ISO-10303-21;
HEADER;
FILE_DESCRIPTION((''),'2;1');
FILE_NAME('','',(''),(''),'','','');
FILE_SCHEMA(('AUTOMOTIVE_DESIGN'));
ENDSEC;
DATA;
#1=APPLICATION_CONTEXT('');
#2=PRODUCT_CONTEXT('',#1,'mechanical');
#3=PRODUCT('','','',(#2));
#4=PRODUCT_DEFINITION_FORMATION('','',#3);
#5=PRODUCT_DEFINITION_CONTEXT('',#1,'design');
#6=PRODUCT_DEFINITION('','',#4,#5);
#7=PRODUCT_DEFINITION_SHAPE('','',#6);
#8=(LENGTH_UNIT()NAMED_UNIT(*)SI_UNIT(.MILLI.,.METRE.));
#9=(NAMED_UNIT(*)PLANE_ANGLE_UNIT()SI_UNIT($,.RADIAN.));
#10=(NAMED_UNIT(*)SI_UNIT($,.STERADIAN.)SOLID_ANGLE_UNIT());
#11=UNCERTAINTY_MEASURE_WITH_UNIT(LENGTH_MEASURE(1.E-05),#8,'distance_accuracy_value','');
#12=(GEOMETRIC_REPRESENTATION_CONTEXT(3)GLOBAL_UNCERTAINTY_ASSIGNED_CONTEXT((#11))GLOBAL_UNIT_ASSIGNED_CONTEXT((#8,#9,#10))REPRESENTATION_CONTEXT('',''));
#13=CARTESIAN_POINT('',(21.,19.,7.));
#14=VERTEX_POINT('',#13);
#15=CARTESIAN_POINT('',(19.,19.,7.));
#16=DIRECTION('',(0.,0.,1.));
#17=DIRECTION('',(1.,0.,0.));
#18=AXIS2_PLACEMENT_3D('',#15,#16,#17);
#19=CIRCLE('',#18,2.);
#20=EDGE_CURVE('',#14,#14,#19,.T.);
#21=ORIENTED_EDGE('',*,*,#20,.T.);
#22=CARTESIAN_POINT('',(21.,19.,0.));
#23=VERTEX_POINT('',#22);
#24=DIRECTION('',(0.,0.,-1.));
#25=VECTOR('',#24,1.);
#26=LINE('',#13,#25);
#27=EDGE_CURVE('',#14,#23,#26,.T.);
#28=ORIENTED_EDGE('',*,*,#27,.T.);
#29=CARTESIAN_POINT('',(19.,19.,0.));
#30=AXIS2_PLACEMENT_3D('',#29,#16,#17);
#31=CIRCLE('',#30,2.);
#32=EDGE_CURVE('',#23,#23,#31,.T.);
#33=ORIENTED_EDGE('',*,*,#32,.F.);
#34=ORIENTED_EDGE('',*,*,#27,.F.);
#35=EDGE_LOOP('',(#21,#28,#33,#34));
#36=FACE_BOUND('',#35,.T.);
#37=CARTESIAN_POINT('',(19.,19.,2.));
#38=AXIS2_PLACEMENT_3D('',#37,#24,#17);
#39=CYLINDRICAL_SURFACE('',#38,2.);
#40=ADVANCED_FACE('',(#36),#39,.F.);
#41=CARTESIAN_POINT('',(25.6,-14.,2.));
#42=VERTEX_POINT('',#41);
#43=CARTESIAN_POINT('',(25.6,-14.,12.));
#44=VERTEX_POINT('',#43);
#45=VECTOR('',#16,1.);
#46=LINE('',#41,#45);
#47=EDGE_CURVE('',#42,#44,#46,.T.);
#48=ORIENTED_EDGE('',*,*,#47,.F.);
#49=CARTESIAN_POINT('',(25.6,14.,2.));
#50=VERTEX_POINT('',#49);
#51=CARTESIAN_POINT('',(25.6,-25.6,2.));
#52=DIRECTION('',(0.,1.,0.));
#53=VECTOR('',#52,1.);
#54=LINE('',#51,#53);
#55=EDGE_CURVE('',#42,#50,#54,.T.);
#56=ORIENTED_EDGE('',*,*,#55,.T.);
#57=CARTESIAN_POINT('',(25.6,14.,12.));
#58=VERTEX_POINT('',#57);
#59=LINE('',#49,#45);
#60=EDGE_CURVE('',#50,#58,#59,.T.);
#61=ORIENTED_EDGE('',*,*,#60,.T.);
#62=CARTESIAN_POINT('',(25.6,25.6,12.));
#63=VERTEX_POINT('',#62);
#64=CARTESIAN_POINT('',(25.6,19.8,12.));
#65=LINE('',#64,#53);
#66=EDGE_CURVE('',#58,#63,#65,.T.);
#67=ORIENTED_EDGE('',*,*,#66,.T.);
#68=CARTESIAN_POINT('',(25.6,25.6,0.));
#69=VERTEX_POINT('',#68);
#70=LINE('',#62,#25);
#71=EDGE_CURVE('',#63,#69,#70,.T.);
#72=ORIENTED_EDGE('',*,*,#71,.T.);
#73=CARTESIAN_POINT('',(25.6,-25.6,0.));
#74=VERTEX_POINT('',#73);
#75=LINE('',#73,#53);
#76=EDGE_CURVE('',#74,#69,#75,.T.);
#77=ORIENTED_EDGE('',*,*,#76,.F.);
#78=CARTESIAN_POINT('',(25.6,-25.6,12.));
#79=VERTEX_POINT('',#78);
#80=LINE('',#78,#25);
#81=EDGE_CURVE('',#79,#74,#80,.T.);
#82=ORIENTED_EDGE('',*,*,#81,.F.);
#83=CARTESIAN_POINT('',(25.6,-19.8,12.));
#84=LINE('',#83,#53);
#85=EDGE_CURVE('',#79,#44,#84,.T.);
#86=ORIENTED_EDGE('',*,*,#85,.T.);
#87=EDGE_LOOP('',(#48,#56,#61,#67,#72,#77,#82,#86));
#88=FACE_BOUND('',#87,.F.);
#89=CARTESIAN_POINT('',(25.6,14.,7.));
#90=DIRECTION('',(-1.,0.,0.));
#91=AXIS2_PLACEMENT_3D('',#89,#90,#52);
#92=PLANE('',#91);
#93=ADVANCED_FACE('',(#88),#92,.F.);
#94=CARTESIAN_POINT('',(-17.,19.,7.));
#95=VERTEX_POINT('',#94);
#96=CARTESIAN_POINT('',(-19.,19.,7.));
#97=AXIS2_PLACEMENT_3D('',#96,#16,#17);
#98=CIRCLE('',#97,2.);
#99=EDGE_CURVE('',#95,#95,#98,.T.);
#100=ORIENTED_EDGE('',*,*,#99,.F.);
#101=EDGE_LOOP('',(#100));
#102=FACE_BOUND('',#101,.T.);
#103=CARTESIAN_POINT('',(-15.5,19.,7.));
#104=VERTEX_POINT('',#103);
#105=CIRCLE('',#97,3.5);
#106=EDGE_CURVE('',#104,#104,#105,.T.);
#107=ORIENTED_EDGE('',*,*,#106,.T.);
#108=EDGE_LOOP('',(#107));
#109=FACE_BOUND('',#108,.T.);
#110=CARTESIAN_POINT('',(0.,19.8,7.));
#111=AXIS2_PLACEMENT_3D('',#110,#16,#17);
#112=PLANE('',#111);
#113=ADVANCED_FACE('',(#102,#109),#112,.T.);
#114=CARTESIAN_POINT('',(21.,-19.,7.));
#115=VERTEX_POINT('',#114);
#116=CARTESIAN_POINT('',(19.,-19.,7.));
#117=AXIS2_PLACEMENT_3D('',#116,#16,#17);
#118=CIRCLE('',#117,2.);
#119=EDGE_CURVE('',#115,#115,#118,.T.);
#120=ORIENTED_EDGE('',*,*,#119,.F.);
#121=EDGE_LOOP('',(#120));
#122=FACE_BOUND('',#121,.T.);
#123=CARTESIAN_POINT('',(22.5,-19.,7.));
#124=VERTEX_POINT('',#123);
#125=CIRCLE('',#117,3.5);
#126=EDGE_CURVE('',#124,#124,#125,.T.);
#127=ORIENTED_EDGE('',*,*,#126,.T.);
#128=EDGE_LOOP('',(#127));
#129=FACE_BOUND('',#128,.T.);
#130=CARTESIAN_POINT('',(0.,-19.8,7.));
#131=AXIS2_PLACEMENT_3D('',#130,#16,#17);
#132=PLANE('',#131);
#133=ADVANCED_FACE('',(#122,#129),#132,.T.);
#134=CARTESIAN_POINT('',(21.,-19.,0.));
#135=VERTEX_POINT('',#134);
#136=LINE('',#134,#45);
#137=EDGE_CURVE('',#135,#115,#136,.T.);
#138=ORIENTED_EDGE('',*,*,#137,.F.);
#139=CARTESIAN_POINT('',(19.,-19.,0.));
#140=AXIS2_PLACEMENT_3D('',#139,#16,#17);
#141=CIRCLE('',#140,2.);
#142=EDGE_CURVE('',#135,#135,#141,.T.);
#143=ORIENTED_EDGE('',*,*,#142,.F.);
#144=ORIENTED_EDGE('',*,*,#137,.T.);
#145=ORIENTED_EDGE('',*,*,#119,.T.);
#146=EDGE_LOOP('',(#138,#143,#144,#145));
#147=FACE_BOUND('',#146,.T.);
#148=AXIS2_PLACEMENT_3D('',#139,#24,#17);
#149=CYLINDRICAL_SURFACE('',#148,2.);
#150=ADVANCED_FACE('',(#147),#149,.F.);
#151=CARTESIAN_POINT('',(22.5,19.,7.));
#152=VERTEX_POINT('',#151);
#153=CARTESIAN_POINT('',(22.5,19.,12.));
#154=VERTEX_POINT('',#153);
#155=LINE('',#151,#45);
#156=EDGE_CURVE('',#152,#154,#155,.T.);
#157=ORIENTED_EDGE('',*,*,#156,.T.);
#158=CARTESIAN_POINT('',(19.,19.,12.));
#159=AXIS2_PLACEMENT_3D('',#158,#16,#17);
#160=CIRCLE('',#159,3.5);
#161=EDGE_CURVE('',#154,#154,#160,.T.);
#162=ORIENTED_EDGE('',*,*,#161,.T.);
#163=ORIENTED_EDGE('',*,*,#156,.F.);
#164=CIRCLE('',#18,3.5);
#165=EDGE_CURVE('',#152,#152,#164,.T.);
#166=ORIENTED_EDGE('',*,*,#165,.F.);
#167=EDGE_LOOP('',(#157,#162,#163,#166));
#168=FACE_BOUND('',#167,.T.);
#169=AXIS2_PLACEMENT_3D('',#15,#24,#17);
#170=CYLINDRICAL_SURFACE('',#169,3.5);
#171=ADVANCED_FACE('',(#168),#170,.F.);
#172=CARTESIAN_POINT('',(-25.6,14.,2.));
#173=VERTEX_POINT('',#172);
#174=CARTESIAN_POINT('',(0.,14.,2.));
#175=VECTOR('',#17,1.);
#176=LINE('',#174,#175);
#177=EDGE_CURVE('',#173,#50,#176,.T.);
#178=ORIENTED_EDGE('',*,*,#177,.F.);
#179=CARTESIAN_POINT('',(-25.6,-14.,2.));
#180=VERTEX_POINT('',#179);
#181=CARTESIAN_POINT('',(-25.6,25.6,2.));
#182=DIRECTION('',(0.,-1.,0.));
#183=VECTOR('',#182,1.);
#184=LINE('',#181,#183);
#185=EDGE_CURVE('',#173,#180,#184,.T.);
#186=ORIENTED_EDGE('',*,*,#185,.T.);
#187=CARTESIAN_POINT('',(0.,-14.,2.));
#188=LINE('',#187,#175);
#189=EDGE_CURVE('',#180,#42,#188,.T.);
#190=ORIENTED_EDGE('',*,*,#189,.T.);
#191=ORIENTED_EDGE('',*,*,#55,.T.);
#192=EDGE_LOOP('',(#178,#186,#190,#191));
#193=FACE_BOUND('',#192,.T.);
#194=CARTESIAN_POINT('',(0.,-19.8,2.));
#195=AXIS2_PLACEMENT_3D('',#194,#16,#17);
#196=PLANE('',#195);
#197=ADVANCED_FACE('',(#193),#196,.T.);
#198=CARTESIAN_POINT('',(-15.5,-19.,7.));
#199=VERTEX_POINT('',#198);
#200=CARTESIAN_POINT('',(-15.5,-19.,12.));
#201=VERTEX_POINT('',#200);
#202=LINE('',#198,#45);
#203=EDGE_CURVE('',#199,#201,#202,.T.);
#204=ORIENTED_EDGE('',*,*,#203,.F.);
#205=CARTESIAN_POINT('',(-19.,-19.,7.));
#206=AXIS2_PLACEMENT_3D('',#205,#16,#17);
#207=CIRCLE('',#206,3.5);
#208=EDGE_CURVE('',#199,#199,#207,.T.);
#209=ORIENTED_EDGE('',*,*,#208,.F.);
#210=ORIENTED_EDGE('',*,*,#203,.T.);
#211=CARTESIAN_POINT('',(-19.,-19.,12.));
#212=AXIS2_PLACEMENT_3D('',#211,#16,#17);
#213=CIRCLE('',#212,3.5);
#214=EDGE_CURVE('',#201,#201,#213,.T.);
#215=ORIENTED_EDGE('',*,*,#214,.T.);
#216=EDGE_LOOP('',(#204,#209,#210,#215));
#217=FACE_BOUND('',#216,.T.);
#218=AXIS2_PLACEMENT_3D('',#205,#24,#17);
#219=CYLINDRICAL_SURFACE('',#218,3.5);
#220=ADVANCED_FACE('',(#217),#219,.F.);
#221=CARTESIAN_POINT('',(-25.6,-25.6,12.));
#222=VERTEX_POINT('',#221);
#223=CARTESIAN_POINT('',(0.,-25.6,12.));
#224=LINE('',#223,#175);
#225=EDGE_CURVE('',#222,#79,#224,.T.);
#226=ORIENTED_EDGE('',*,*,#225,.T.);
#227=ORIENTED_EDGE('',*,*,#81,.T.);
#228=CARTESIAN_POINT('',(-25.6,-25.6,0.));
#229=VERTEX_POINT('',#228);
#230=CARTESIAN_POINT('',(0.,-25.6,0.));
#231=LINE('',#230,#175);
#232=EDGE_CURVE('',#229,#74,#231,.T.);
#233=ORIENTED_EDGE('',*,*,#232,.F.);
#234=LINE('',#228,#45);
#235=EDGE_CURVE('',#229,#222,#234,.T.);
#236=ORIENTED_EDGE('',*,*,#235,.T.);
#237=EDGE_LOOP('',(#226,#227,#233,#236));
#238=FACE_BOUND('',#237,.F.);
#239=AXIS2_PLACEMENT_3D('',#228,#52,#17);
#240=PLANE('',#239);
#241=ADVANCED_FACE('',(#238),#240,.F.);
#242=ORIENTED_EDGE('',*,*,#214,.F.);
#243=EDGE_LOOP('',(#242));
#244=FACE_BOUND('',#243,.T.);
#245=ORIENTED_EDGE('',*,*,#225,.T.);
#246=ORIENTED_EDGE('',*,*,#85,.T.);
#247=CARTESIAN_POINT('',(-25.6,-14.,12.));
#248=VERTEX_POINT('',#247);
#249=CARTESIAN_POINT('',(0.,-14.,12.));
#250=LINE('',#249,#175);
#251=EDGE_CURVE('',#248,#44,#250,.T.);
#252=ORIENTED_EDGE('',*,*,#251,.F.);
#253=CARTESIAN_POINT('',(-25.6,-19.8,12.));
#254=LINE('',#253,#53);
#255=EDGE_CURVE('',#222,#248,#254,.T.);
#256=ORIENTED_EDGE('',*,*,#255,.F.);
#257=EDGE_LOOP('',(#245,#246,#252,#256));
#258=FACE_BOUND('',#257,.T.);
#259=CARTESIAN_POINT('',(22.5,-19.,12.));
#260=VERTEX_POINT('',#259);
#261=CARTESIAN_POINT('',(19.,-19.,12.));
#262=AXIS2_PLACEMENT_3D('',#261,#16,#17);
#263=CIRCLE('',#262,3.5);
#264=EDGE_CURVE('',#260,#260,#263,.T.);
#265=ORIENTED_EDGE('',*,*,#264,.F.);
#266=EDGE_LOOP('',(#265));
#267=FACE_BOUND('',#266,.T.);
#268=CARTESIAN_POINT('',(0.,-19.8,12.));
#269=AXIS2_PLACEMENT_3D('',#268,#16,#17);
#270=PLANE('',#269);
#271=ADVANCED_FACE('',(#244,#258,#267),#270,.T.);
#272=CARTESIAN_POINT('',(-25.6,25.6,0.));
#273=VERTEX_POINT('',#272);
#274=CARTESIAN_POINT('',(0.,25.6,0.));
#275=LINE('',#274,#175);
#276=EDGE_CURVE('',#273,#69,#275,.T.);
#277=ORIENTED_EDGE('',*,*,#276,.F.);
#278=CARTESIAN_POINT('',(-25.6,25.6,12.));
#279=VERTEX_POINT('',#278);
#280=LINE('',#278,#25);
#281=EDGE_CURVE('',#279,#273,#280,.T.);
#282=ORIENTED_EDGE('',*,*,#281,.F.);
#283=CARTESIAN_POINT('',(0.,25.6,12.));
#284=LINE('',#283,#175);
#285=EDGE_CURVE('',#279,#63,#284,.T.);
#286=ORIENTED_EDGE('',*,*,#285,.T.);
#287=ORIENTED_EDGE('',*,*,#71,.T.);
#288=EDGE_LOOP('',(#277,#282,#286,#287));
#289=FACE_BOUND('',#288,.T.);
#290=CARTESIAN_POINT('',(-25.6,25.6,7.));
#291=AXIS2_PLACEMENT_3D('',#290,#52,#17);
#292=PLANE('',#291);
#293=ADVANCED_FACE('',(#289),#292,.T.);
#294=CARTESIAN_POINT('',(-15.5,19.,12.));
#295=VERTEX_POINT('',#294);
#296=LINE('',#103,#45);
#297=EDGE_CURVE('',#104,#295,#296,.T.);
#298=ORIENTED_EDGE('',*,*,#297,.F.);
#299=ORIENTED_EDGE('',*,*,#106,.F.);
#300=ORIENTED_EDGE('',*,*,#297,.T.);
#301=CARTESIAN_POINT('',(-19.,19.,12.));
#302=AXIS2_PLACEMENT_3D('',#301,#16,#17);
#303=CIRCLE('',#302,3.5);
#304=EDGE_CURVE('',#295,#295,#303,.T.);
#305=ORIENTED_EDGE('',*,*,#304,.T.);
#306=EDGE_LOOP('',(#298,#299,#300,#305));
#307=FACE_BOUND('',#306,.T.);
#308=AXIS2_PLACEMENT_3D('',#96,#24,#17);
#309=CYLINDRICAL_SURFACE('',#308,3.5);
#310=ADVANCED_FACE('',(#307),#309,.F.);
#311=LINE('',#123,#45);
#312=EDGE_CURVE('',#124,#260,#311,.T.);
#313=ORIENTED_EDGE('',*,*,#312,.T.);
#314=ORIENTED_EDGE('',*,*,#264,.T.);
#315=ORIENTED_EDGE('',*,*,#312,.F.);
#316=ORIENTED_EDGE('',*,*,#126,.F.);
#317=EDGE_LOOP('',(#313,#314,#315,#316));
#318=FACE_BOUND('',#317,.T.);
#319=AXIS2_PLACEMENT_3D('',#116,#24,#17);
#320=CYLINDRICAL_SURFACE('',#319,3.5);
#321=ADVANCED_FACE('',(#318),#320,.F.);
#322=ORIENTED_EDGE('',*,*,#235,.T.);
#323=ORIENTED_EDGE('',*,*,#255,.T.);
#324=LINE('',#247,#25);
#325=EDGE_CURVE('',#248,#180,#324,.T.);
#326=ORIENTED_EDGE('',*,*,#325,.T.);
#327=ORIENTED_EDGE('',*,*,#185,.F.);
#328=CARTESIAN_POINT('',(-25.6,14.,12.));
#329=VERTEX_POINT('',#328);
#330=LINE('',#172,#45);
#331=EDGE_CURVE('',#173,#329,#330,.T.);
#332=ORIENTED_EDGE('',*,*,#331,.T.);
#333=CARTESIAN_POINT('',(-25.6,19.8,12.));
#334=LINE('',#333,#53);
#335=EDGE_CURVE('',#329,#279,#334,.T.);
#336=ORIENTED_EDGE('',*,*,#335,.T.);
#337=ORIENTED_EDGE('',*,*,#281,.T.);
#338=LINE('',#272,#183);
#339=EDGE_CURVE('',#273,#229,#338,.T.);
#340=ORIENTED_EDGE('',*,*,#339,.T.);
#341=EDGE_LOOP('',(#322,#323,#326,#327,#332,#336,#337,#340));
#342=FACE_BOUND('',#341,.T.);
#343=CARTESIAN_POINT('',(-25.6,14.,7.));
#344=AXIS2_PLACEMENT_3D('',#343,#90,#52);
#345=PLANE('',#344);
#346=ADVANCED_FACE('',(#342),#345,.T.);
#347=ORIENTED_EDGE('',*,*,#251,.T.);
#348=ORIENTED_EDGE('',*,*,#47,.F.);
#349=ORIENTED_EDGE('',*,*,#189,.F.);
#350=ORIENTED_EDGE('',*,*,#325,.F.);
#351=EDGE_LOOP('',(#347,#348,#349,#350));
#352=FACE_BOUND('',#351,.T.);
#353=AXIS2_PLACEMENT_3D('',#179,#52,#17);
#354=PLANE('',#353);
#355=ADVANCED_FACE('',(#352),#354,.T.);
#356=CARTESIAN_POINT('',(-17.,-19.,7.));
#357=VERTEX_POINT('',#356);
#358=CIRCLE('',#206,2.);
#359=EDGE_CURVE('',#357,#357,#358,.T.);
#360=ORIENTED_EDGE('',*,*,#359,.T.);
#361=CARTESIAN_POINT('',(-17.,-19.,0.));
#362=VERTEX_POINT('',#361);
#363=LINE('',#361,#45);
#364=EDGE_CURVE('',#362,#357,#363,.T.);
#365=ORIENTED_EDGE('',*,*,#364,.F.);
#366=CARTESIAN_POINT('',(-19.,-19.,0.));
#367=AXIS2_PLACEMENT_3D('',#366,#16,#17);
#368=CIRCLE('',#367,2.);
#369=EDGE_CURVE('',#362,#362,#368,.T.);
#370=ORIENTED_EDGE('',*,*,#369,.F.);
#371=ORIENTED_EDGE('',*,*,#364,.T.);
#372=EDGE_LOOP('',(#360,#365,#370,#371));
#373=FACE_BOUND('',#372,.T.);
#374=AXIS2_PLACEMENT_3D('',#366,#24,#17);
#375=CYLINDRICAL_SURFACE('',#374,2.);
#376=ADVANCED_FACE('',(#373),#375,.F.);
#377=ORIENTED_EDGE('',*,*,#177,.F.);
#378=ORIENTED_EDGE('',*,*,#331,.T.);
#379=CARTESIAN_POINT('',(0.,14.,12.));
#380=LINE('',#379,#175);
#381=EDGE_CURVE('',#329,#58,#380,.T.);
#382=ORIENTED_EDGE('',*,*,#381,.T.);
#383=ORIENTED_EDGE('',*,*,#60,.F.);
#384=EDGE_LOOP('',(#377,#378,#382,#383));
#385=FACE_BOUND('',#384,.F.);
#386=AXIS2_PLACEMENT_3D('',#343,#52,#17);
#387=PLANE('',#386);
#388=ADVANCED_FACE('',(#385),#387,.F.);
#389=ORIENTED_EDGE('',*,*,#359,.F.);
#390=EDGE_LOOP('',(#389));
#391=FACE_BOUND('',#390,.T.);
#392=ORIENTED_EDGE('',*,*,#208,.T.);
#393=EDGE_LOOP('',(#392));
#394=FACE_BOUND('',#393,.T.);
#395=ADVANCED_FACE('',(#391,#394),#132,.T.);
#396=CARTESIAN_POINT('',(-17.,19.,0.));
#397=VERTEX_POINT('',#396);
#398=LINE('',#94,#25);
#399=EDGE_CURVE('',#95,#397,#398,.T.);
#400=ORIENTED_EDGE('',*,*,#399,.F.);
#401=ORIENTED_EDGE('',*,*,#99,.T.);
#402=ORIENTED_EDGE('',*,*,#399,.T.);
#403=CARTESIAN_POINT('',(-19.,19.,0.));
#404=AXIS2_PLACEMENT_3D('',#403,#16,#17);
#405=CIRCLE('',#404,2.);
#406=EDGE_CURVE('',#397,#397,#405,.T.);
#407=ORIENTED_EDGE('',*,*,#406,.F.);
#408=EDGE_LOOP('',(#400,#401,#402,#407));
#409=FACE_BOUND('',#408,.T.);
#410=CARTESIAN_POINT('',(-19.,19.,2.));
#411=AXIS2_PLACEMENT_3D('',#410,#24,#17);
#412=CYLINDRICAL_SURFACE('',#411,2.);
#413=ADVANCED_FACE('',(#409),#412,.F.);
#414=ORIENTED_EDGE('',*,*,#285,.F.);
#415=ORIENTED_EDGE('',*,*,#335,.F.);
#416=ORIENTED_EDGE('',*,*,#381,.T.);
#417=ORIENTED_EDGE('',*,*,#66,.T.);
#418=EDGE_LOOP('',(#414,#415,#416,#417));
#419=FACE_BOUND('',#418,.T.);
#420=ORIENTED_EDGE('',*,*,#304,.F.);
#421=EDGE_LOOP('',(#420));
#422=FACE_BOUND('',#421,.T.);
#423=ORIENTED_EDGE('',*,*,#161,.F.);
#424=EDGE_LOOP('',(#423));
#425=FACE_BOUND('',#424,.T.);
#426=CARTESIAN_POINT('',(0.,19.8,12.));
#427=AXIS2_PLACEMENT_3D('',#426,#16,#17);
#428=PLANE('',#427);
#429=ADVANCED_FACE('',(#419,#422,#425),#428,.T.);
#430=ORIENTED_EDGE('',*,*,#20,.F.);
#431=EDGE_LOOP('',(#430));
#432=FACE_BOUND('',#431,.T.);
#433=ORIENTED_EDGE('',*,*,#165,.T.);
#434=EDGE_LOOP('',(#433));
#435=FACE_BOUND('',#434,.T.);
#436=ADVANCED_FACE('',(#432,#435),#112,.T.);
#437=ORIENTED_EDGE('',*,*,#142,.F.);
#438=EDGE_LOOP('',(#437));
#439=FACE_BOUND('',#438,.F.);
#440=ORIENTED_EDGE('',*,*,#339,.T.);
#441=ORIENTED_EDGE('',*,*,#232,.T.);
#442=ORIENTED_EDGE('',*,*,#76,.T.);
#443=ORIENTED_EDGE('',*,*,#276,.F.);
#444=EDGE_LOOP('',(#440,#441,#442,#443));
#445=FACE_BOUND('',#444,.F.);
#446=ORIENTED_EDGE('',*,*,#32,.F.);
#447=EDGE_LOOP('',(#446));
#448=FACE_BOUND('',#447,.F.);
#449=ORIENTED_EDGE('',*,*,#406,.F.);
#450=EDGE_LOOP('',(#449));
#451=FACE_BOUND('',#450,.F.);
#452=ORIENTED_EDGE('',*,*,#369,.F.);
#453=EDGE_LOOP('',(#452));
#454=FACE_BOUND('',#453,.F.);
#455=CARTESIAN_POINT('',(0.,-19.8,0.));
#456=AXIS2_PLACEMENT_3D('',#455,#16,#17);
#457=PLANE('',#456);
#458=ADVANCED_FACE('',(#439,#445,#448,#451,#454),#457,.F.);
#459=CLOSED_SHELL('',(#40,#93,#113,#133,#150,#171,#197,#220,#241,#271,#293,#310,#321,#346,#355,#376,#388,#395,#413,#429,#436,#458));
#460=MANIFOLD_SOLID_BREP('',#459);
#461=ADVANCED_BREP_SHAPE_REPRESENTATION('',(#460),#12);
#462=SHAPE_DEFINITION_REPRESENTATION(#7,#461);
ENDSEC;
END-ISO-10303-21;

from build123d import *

# Parameters (mm, degrees)
F0_W     = 51.2
F0_H     = 11.6
F0_R     = 2
F0_H_2   = 28
F1_DEPTH = 2
F2_W     = 51.2
F2_H     = 11.6
F2_R     = 2
F3_DEPTH = 5
F4_W     = 51.2
F4_H     = 11.6
F4_R     = 3.5
F5_DEPTH = 5


with BuildPart() as f1:
    # F0 (on Top) → F1 (new body)
    with BuildSketch(Plane.XY):
        with Locations((0, -19.8)):
            Rectangle(F0_W, F0_H)
        with Locations((-19, -19)):
            Circle(F0_R, mode=Mode.SUBTRACT)
        with Locations((19, -19)):
            Circle(F0_R, mode=Mode.SUBTRACT)
        Rectangle(F0_W, F0_H_2)
        with Locations((0, 19.8)):
            Rectangle(F0_W, F0_H)
        with Locations((-19, 19)):
            Circle(F0_R, mode=Mode.SUBTRACT)
        with Locations((19, 19)):
            Circle(F0_R, mode=Mode.SUBTRACT)
    extrude(amount=F1_DEPTH)

    # F2 (on face) → F3 (join)
    with BuildSketch(Plane.XY.offset(2)):
        with Locations((0, 19.8)):
            Rectangle(F2_W, F2_H)
        with Locations((-19, 19)):
            Circle(F2_R, mode=Mode.SUBTRACT)
        with Locations((19, 19)):
            Circle(F2_R, mode=Mode.SUBTRACT)
        with Locations((0, -19.8)):
            Rectangle(F2_W, F2_H)
        with Locations((-19, -19)):
            Circle(F2_R, mode=Mode.SUBTRACT)
        with Locations((19, -19)):
            Circle(F2_R, mode=Mode.SUBTRACT)
    extrude(amount=F3_DEPTH)

    # F4 (on face) → F5 (join)
    with BuildSketch(Plane.XY.offset(7)):
        with Locations((0, 19.8)):
            Rectangle(F4_W, F4_H)
        with Locations((-19, 19)):
            Circle(F4_R, mode=Mode.SUBTRACT)
        with Locations((19, 19)):
            Circle(F4_R, mode=Mode.SUBTRACT)
        with Locations((0, -19.8)):
            Rectangle(F4_W, F4_H)
        with Locations((-19, -19)):
            Circle(F4_R, mode=Mode.SUBTRACT)
        with Locations((19, -19)):
            Circle(F4_R, mode=Mode.SUBTRACT)
    extrude(amount=F5_DEPTH)


solid = f1.part
